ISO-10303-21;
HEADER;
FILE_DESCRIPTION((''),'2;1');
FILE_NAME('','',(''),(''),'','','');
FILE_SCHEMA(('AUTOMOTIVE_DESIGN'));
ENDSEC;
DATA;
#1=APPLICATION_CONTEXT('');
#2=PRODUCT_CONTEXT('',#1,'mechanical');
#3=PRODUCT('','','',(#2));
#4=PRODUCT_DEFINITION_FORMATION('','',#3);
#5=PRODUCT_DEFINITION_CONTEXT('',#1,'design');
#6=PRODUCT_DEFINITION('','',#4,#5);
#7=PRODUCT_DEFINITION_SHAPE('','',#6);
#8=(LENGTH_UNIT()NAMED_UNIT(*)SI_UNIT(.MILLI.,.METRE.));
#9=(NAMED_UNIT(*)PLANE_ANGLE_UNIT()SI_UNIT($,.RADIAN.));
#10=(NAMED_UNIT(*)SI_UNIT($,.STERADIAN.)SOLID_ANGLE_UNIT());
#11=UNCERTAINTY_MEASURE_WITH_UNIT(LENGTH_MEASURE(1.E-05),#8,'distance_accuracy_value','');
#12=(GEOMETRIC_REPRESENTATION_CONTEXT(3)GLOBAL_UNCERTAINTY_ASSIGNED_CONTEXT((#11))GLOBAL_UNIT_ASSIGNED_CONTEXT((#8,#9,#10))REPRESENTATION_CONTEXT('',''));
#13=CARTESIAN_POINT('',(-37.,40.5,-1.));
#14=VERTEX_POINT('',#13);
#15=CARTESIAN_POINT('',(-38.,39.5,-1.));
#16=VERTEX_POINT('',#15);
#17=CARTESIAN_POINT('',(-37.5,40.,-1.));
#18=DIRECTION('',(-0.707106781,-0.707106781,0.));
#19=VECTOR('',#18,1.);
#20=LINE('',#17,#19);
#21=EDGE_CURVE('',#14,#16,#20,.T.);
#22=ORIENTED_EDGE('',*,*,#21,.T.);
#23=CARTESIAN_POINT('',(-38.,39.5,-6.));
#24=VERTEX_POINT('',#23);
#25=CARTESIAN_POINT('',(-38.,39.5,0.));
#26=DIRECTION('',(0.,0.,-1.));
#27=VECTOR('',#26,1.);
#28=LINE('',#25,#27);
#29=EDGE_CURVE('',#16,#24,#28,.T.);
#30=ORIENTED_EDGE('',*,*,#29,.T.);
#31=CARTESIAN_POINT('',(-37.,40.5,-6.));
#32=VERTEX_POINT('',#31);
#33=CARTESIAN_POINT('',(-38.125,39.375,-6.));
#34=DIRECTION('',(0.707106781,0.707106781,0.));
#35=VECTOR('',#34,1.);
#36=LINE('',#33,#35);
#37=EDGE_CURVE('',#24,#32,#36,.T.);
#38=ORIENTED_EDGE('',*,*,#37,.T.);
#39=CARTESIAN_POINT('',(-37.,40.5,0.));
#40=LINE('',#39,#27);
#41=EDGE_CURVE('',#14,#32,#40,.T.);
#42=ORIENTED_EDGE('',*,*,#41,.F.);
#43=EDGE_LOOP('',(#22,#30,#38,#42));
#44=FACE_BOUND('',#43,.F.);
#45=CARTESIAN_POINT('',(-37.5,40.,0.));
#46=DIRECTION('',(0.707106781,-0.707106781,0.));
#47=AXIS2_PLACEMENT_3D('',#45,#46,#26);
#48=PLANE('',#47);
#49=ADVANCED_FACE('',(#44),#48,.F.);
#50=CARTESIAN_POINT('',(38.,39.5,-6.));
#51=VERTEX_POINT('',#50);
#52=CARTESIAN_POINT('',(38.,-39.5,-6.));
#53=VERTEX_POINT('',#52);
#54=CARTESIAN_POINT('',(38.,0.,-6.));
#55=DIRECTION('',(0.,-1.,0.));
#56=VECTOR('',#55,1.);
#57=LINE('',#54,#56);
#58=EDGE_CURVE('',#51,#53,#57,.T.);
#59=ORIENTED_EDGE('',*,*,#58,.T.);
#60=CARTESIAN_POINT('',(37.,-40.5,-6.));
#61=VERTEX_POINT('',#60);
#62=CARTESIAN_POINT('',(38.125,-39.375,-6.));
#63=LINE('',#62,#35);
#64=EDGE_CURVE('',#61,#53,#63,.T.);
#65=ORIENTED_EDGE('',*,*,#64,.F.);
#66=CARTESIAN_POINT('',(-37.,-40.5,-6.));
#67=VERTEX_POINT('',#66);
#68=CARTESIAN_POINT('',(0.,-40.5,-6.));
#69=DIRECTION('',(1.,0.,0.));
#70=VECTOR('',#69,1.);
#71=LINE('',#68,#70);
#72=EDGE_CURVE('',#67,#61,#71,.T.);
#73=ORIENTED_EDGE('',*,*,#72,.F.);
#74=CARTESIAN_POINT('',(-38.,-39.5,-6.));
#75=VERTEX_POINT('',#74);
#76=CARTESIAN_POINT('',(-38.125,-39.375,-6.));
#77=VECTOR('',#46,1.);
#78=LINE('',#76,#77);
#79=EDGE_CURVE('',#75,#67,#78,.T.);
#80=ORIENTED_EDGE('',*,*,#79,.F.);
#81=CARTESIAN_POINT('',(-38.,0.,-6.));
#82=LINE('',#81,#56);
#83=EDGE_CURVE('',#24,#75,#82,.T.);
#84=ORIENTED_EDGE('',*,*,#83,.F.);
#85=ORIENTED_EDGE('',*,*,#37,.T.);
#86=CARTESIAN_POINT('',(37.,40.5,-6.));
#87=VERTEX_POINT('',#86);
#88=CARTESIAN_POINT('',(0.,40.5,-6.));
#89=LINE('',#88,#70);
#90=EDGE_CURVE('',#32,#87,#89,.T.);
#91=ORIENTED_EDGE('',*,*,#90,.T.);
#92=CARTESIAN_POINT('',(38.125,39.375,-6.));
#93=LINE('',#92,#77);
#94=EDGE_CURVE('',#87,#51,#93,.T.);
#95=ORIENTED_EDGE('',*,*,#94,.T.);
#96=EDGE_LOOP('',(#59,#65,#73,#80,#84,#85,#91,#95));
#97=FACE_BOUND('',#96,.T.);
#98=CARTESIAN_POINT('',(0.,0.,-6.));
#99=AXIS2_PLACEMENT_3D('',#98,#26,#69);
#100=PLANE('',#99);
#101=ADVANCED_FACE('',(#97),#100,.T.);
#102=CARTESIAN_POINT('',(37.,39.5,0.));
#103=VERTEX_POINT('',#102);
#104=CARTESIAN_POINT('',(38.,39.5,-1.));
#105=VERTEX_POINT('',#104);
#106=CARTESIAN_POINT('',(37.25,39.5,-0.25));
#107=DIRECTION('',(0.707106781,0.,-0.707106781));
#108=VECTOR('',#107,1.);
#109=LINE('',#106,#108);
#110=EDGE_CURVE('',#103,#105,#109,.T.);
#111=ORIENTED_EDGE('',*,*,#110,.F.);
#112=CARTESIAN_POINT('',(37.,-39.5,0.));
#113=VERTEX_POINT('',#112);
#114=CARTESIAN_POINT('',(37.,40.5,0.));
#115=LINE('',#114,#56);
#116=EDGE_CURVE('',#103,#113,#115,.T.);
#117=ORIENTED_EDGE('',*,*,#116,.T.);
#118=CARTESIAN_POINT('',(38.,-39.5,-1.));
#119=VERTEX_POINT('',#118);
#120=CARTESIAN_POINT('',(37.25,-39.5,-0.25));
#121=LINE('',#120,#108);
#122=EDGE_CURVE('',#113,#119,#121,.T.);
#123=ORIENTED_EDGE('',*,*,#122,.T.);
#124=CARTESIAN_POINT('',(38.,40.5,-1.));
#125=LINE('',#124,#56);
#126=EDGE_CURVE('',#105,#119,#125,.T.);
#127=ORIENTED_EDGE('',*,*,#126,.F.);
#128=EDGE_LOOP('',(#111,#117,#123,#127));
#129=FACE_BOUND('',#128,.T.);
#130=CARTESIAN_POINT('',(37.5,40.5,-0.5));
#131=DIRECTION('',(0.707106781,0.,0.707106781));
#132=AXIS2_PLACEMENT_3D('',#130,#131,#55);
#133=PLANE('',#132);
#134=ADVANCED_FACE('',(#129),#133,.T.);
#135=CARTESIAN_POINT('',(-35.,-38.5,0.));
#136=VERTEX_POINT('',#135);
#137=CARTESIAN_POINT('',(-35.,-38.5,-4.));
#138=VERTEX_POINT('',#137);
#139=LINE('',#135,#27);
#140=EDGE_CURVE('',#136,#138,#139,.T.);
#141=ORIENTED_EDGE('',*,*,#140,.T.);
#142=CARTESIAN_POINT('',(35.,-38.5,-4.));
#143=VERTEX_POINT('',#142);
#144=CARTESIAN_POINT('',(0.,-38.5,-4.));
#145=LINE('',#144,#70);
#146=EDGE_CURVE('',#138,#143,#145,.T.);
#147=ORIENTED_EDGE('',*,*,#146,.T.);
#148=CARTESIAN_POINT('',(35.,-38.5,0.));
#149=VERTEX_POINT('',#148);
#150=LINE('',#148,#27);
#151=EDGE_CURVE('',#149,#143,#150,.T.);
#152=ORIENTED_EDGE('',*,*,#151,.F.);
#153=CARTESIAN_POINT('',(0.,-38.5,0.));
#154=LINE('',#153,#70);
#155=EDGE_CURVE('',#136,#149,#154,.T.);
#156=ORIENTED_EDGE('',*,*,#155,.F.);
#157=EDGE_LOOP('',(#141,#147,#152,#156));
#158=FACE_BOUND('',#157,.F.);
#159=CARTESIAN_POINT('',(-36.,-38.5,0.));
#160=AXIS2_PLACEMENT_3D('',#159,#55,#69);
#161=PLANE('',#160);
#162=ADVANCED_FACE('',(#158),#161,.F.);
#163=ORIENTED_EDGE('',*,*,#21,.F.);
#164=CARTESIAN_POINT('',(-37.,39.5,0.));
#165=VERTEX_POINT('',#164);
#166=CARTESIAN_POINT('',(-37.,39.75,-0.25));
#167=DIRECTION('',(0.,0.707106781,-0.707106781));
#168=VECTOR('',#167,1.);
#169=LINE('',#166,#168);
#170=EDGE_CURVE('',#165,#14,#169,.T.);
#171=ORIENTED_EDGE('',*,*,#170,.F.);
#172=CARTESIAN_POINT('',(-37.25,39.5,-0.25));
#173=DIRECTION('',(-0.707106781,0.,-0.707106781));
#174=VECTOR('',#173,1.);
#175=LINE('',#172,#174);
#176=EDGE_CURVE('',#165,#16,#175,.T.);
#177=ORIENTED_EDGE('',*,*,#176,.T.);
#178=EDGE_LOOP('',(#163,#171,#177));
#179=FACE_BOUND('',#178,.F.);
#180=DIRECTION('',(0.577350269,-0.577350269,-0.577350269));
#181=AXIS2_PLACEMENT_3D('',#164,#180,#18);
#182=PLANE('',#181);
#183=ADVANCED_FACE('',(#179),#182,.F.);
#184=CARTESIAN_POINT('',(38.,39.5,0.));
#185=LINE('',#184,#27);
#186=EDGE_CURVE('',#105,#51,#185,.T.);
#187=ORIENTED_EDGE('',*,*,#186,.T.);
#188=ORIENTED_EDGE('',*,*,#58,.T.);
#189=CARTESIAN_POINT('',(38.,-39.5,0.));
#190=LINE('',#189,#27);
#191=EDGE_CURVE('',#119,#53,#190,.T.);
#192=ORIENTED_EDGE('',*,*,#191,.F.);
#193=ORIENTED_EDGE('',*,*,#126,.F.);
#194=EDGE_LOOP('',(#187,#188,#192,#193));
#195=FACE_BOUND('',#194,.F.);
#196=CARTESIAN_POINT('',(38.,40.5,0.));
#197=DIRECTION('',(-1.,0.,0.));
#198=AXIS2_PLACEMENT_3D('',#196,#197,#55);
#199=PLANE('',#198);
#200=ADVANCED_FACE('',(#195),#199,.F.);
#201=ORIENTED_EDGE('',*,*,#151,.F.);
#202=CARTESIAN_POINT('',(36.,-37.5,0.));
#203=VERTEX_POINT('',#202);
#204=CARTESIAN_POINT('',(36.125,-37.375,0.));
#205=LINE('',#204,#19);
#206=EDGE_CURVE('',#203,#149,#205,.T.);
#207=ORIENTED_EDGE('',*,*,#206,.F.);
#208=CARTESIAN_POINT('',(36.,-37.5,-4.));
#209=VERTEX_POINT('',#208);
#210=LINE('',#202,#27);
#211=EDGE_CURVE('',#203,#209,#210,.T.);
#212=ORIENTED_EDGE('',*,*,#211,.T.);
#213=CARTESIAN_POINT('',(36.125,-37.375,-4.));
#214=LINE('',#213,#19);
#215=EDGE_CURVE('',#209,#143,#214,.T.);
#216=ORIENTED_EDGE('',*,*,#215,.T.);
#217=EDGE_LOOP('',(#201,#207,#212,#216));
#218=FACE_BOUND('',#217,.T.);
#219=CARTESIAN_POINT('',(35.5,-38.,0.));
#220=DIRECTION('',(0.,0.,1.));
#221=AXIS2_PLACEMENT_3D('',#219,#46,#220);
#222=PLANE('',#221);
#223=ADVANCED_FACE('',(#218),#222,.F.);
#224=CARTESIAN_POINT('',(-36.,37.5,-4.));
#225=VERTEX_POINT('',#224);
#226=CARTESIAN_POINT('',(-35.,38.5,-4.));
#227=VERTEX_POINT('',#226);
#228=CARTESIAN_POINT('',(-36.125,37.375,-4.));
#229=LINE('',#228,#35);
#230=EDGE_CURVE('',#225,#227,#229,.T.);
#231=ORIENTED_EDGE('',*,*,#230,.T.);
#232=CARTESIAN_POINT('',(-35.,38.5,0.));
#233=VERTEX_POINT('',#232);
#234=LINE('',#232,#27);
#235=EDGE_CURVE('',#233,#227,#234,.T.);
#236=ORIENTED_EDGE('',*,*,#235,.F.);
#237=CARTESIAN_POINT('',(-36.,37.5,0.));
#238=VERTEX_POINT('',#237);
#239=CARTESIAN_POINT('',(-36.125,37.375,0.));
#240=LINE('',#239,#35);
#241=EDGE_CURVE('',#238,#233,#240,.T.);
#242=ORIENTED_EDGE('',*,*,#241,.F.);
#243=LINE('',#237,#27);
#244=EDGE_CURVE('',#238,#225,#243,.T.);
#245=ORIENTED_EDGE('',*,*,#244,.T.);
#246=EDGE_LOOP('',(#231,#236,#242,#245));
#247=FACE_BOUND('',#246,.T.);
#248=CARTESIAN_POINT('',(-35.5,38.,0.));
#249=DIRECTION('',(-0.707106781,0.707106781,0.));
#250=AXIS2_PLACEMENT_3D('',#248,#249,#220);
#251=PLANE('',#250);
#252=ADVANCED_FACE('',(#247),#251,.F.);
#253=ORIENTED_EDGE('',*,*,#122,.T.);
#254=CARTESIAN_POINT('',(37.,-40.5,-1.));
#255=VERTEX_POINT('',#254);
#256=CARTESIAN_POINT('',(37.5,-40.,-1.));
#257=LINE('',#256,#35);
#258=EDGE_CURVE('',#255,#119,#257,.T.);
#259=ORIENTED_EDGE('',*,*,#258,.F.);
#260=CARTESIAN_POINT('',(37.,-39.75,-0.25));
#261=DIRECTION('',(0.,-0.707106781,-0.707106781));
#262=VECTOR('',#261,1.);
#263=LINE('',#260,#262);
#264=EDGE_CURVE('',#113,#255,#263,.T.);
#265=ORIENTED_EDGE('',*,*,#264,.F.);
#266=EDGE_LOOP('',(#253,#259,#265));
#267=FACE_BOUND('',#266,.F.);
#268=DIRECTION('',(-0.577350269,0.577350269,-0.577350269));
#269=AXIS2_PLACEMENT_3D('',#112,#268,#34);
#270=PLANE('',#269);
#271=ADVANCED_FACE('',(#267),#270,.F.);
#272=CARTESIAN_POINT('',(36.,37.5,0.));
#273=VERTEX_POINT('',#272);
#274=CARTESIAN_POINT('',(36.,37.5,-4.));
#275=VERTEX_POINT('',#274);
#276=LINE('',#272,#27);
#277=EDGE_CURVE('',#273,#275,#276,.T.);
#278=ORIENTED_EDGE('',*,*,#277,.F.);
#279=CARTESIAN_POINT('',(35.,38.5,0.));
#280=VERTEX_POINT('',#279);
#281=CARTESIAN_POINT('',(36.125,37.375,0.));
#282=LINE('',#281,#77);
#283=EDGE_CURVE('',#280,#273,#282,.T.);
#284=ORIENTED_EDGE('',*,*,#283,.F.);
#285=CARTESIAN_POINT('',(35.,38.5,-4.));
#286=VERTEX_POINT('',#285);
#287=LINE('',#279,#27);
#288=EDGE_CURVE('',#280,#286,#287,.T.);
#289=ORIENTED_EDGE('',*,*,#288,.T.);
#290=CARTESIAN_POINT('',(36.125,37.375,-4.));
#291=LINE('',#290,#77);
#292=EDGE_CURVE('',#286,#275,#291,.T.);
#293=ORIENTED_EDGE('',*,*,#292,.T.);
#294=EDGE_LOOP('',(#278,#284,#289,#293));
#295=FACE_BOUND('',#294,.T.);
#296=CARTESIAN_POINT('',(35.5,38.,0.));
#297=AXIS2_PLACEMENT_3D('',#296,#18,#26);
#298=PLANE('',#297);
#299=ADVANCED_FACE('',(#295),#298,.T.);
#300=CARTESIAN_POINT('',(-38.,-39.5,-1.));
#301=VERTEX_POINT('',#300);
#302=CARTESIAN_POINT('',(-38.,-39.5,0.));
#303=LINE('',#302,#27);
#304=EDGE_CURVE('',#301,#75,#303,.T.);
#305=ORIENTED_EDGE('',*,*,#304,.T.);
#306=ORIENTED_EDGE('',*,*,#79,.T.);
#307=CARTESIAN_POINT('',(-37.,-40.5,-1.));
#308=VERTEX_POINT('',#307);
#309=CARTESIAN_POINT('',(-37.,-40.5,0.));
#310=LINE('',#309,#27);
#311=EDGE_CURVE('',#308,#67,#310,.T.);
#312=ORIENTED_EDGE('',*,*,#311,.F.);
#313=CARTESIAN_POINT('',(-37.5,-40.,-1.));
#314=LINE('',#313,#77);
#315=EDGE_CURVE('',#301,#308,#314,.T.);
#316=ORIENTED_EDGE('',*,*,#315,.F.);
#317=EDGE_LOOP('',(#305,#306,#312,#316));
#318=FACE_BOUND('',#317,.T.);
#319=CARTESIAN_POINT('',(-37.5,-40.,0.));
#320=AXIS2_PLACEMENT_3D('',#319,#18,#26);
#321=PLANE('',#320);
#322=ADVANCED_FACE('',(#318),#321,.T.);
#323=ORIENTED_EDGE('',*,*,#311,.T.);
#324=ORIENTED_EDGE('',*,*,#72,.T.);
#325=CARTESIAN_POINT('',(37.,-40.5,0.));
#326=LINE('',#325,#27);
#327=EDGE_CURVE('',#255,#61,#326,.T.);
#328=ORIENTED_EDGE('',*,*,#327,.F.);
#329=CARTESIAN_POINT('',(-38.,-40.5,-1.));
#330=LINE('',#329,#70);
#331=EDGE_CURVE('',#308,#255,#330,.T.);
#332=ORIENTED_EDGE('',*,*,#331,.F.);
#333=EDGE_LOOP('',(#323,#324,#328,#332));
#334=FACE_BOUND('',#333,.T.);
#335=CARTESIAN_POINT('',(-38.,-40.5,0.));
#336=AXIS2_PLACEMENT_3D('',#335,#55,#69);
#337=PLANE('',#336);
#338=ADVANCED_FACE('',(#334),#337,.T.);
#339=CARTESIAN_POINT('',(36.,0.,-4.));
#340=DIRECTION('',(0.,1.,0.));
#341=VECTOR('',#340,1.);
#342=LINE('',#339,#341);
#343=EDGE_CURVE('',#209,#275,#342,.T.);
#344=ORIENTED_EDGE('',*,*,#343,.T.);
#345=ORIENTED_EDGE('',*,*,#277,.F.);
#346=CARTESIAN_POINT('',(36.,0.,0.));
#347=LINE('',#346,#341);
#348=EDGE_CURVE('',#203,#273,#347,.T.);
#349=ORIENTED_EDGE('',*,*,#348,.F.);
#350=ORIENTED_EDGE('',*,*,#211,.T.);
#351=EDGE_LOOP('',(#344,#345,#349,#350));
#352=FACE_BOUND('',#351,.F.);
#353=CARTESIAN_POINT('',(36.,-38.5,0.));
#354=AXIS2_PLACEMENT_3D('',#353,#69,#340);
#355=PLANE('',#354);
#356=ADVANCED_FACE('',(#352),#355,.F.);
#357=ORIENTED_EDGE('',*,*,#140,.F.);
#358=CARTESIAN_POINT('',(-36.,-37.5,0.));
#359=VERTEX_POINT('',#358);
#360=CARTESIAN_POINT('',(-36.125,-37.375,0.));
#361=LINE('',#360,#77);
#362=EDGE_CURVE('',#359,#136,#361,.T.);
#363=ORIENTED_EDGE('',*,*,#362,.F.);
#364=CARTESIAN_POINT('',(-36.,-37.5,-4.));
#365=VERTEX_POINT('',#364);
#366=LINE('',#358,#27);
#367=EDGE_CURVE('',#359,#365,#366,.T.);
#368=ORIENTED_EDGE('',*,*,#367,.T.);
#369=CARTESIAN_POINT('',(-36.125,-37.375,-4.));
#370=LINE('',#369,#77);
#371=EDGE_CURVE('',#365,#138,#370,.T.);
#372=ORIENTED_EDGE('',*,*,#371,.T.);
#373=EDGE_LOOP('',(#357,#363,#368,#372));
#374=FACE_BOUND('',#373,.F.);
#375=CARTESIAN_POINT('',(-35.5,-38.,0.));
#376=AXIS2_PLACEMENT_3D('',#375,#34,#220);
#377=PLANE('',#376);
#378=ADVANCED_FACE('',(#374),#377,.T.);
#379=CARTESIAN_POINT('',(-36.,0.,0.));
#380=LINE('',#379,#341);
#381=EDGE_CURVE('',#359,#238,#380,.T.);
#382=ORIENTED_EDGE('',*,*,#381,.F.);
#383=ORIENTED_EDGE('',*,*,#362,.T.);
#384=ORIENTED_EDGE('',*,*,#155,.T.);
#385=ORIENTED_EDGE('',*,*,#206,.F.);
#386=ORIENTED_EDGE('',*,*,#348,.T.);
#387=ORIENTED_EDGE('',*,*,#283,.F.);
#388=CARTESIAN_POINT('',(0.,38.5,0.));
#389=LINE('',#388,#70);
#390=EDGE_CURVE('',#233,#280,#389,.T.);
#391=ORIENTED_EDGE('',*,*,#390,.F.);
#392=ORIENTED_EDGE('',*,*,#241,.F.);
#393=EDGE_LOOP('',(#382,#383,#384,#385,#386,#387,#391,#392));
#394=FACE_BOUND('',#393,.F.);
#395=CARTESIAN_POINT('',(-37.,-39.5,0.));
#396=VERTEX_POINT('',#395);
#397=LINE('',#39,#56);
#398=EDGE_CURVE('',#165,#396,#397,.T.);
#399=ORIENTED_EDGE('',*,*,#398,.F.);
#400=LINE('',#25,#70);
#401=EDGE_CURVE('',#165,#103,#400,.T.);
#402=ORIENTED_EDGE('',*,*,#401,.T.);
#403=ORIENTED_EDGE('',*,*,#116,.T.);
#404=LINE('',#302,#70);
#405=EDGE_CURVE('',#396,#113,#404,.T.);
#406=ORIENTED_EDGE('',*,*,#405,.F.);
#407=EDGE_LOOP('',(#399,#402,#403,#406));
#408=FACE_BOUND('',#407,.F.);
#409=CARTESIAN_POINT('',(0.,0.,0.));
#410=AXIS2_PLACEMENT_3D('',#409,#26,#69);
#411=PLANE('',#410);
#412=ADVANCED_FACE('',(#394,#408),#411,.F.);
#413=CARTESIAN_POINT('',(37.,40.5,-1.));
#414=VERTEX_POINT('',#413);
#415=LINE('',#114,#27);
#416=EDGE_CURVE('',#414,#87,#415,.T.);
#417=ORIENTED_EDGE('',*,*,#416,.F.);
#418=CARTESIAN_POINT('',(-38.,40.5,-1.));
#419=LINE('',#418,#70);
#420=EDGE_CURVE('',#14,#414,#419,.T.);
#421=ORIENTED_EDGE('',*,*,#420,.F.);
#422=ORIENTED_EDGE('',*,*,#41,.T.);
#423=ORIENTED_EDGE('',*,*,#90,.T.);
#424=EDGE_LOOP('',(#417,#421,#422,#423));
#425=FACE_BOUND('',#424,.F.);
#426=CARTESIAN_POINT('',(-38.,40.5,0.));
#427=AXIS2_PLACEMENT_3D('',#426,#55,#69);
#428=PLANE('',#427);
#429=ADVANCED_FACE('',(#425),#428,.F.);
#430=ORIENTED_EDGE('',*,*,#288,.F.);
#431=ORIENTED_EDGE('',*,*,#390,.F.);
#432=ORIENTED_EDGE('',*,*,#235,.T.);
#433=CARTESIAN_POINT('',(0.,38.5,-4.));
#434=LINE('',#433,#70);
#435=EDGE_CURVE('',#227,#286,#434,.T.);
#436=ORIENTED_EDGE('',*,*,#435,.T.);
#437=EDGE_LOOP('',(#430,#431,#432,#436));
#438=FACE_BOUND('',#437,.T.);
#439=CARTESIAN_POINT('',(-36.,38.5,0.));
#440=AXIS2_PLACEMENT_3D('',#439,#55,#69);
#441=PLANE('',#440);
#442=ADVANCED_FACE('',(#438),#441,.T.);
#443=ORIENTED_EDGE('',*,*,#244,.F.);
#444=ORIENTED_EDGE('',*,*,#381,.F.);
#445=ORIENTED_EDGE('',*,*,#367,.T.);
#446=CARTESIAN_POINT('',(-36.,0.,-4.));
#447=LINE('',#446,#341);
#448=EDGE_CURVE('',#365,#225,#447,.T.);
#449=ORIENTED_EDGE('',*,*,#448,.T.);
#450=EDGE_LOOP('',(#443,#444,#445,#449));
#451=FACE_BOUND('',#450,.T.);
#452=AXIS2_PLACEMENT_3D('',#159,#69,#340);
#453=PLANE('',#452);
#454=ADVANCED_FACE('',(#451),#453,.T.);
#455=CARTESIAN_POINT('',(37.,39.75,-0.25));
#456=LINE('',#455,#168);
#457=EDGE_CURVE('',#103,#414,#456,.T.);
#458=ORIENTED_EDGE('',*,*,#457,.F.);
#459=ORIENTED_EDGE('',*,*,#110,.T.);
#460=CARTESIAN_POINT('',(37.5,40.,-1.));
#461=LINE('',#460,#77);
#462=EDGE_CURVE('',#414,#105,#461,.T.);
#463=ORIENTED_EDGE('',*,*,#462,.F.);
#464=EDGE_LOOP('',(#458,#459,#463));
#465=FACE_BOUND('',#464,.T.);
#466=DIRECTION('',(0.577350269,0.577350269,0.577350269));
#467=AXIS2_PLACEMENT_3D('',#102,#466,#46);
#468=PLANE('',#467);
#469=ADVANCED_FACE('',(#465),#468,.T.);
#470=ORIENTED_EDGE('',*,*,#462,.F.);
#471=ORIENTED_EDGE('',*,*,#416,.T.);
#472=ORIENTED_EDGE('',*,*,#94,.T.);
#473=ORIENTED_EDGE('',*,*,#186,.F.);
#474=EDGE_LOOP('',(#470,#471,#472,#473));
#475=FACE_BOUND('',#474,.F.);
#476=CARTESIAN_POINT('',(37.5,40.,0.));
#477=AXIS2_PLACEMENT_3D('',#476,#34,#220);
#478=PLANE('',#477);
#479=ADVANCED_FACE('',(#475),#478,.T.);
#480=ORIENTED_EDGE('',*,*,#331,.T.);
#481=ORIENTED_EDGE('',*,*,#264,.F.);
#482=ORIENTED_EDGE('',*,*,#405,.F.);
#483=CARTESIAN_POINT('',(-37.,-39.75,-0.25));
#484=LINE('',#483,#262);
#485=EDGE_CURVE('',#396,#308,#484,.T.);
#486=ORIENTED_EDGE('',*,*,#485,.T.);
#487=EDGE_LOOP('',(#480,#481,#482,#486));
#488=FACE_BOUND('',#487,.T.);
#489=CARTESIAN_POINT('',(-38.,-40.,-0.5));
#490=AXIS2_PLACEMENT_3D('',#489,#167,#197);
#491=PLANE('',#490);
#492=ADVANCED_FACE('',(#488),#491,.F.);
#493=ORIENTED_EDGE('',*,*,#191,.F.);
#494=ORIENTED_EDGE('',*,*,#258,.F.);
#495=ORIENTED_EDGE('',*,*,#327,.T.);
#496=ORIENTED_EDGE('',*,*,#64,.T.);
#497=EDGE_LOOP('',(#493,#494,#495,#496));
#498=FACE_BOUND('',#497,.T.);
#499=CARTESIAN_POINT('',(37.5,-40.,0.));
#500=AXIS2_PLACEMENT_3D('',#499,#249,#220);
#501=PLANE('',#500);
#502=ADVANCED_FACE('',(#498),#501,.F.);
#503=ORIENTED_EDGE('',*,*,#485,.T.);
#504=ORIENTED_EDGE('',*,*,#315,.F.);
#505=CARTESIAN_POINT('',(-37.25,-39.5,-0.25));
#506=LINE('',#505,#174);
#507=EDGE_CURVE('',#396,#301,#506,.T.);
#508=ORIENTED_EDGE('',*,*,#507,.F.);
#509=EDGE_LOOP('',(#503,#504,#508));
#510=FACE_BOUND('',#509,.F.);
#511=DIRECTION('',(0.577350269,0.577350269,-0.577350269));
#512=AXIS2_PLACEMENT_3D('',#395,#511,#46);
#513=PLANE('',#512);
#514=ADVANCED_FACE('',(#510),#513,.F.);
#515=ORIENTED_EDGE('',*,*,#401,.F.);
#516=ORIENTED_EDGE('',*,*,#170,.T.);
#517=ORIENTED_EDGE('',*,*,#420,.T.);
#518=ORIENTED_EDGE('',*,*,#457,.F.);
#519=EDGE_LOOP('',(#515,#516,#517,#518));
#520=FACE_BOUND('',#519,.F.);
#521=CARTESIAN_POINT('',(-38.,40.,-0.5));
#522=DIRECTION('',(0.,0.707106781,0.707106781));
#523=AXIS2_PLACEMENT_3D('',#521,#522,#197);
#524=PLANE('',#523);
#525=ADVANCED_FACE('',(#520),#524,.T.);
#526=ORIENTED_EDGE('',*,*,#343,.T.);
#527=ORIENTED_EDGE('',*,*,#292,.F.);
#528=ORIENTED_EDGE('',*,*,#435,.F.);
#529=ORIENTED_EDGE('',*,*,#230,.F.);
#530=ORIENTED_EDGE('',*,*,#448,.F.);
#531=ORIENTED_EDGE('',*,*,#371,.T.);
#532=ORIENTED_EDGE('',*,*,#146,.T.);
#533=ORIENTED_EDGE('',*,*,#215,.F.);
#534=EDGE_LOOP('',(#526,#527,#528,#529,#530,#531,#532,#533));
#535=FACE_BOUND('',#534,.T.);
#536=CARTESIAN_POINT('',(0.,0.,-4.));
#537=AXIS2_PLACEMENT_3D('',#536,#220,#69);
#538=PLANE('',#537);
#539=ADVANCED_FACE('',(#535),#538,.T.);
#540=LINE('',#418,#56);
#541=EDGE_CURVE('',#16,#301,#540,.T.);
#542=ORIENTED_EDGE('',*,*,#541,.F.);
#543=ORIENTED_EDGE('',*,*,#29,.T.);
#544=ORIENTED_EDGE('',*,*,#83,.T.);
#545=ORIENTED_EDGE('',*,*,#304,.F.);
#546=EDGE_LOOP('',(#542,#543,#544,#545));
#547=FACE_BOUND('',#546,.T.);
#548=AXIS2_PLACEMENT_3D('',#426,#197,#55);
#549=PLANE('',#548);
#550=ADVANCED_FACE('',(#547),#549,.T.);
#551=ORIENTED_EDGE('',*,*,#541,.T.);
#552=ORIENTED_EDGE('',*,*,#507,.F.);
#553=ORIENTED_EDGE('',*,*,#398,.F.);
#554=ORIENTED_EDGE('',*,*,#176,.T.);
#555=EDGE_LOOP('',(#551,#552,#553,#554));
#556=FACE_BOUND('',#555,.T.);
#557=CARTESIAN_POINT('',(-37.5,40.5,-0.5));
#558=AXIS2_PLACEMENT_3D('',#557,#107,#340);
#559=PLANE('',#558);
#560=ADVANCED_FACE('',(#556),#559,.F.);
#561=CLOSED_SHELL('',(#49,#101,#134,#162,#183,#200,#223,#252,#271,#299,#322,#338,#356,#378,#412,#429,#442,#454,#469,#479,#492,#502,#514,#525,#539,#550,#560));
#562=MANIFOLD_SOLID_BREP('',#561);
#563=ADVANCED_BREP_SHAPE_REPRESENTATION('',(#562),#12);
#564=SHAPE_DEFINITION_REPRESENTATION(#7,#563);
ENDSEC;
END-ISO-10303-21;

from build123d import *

# Parameters (mm, degrees)
SKETCH005_W     = 76
SKETCH005_H     = 81
PAD001_DEPTH    = 6
SKETCH006_W     = 72
SKETCH006_H     = 77
POCKET004_DEPTH = 4
CHAMFER002_SIZE = 1


with BuildPart() as part:
    # Sketch005 (on Face1 of CopyChamfer001) → Pad001 (new body)
    with BuildSketch(Plane(origin=(0, 0, 0), x_dir=(1, 0, 0), z_dir=(0, 0, -1))):
        Rectangle(SKETCH005_W, SKETCH005_H)
    extrude(amount=PAD001_DEPTH)

    # Sketch006 (on Face5 of Pad001) → Pocket004 (cut)
    with BuildSketch(Plane.XY):
        Rectangle(SKETCH006_W, SKETCH006_H)
    extrude(amount=-POCKET004_DEPTH, mode=Mode.SUBTRACT)

    # Chamfer002
    chamfer002_edges = [part.edges().sort_by_distance(p)[0] for p in [
        (36, -38.5, -2),
        (-36, -38.5, -2),
        (-36, 38.5, -2),
        (36, 38.5, -2),
        (38, -40.5, -3),
        (-38, -40.5, -3),
        (38, 40.5, -3),
        (-38, 40.5, -3),
        (0, 40.5, 0),
        (-38, 0, 0),
        (0, -40.5, 0),
        (38, 0, 0),
    ]]
    chamfer(chamfer002_edges, length=CHAMFER002_SIZE)


solid = part.part
